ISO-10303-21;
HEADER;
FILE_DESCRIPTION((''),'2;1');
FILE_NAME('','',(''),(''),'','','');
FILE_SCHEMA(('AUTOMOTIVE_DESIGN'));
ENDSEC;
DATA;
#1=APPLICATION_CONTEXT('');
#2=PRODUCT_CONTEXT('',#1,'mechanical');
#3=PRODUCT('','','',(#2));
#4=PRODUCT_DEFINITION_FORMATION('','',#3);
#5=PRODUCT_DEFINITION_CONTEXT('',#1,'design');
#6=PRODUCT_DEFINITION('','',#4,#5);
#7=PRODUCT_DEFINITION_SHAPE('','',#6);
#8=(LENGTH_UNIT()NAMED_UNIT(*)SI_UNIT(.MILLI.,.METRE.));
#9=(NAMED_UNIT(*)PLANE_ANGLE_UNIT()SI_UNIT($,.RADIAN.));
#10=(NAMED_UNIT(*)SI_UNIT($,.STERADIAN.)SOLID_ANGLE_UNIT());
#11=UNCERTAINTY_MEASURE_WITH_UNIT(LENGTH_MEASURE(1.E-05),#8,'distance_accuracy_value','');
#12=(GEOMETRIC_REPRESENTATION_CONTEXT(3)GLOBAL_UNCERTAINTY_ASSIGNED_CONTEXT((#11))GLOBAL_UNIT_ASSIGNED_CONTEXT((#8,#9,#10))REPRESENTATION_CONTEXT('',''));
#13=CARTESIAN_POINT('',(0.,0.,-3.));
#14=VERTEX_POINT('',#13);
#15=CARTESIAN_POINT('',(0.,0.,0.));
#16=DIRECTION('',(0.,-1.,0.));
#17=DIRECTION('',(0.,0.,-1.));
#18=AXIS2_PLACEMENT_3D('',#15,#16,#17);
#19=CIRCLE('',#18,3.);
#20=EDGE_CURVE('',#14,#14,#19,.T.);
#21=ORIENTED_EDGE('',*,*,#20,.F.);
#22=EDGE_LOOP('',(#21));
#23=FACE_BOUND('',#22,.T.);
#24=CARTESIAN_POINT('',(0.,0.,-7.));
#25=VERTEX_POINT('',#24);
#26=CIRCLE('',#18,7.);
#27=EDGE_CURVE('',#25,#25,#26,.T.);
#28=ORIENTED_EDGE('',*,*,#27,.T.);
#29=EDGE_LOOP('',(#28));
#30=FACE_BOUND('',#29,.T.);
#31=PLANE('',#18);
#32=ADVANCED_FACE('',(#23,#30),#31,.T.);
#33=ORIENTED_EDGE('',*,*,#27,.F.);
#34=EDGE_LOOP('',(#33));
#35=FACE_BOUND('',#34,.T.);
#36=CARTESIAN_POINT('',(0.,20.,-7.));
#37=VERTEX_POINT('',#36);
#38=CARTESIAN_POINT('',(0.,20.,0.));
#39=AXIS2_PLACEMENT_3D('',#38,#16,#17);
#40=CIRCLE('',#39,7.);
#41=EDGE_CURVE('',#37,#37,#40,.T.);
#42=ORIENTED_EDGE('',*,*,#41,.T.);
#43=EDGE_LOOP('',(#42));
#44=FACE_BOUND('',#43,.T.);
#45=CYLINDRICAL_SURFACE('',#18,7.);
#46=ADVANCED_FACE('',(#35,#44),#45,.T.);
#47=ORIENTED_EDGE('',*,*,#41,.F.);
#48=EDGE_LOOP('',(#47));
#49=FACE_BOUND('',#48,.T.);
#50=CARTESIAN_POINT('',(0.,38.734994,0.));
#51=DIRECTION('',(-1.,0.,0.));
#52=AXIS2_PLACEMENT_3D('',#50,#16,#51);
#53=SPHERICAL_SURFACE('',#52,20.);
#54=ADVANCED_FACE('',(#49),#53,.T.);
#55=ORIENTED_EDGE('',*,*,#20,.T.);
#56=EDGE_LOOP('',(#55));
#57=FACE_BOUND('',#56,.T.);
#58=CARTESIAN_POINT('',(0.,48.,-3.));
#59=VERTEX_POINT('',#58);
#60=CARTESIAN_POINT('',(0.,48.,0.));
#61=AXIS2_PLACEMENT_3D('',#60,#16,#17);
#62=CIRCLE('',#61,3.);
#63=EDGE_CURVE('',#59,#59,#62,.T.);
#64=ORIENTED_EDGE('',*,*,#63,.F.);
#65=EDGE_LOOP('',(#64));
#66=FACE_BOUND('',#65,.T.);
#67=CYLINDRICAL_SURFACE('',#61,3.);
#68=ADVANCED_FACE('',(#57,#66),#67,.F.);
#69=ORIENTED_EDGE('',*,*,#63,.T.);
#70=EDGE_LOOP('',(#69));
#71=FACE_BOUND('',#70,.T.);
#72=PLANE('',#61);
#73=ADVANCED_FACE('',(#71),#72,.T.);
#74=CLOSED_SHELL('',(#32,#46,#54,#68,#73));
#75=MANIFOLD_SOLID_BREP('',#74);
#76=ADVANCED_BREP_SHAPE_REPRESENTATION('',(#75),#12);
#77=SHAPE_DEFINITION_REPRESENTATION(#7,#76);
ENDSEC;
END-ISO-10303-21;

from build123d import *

# Parameters (mm, degrees)
SKETCH_2_R          = 3
CUT_EXTRUDE_1_DEPTH = 48


with BuildPart() as part:
    # 草图1 → 旋转1 (revolve)
    with BuildSketch(Plane.XY):
        with BuildLine():
            Line((0, 0), (0, 58.734993995))
            ThreePointArc((0, 58.734993995), (-19.681207787, 42.291686286), (-7, 20))
            Line((-7, 20), (-7, 0))
            Line((-7, 0), (0, 0))
        make_face()
    revolve(axis=Axis((0, 0, 0), (0, 1, 0)))

    # 草图2 → 切除-拉伸1 (cut)
    with BuildSketch(Plane.XZ):
        Circle(SKETCH_2_R)
    extrude(amount=-CUT_EXTRUDE_1_DEPTH, mode=Mode.SUBTRACT)


solid = part.part
